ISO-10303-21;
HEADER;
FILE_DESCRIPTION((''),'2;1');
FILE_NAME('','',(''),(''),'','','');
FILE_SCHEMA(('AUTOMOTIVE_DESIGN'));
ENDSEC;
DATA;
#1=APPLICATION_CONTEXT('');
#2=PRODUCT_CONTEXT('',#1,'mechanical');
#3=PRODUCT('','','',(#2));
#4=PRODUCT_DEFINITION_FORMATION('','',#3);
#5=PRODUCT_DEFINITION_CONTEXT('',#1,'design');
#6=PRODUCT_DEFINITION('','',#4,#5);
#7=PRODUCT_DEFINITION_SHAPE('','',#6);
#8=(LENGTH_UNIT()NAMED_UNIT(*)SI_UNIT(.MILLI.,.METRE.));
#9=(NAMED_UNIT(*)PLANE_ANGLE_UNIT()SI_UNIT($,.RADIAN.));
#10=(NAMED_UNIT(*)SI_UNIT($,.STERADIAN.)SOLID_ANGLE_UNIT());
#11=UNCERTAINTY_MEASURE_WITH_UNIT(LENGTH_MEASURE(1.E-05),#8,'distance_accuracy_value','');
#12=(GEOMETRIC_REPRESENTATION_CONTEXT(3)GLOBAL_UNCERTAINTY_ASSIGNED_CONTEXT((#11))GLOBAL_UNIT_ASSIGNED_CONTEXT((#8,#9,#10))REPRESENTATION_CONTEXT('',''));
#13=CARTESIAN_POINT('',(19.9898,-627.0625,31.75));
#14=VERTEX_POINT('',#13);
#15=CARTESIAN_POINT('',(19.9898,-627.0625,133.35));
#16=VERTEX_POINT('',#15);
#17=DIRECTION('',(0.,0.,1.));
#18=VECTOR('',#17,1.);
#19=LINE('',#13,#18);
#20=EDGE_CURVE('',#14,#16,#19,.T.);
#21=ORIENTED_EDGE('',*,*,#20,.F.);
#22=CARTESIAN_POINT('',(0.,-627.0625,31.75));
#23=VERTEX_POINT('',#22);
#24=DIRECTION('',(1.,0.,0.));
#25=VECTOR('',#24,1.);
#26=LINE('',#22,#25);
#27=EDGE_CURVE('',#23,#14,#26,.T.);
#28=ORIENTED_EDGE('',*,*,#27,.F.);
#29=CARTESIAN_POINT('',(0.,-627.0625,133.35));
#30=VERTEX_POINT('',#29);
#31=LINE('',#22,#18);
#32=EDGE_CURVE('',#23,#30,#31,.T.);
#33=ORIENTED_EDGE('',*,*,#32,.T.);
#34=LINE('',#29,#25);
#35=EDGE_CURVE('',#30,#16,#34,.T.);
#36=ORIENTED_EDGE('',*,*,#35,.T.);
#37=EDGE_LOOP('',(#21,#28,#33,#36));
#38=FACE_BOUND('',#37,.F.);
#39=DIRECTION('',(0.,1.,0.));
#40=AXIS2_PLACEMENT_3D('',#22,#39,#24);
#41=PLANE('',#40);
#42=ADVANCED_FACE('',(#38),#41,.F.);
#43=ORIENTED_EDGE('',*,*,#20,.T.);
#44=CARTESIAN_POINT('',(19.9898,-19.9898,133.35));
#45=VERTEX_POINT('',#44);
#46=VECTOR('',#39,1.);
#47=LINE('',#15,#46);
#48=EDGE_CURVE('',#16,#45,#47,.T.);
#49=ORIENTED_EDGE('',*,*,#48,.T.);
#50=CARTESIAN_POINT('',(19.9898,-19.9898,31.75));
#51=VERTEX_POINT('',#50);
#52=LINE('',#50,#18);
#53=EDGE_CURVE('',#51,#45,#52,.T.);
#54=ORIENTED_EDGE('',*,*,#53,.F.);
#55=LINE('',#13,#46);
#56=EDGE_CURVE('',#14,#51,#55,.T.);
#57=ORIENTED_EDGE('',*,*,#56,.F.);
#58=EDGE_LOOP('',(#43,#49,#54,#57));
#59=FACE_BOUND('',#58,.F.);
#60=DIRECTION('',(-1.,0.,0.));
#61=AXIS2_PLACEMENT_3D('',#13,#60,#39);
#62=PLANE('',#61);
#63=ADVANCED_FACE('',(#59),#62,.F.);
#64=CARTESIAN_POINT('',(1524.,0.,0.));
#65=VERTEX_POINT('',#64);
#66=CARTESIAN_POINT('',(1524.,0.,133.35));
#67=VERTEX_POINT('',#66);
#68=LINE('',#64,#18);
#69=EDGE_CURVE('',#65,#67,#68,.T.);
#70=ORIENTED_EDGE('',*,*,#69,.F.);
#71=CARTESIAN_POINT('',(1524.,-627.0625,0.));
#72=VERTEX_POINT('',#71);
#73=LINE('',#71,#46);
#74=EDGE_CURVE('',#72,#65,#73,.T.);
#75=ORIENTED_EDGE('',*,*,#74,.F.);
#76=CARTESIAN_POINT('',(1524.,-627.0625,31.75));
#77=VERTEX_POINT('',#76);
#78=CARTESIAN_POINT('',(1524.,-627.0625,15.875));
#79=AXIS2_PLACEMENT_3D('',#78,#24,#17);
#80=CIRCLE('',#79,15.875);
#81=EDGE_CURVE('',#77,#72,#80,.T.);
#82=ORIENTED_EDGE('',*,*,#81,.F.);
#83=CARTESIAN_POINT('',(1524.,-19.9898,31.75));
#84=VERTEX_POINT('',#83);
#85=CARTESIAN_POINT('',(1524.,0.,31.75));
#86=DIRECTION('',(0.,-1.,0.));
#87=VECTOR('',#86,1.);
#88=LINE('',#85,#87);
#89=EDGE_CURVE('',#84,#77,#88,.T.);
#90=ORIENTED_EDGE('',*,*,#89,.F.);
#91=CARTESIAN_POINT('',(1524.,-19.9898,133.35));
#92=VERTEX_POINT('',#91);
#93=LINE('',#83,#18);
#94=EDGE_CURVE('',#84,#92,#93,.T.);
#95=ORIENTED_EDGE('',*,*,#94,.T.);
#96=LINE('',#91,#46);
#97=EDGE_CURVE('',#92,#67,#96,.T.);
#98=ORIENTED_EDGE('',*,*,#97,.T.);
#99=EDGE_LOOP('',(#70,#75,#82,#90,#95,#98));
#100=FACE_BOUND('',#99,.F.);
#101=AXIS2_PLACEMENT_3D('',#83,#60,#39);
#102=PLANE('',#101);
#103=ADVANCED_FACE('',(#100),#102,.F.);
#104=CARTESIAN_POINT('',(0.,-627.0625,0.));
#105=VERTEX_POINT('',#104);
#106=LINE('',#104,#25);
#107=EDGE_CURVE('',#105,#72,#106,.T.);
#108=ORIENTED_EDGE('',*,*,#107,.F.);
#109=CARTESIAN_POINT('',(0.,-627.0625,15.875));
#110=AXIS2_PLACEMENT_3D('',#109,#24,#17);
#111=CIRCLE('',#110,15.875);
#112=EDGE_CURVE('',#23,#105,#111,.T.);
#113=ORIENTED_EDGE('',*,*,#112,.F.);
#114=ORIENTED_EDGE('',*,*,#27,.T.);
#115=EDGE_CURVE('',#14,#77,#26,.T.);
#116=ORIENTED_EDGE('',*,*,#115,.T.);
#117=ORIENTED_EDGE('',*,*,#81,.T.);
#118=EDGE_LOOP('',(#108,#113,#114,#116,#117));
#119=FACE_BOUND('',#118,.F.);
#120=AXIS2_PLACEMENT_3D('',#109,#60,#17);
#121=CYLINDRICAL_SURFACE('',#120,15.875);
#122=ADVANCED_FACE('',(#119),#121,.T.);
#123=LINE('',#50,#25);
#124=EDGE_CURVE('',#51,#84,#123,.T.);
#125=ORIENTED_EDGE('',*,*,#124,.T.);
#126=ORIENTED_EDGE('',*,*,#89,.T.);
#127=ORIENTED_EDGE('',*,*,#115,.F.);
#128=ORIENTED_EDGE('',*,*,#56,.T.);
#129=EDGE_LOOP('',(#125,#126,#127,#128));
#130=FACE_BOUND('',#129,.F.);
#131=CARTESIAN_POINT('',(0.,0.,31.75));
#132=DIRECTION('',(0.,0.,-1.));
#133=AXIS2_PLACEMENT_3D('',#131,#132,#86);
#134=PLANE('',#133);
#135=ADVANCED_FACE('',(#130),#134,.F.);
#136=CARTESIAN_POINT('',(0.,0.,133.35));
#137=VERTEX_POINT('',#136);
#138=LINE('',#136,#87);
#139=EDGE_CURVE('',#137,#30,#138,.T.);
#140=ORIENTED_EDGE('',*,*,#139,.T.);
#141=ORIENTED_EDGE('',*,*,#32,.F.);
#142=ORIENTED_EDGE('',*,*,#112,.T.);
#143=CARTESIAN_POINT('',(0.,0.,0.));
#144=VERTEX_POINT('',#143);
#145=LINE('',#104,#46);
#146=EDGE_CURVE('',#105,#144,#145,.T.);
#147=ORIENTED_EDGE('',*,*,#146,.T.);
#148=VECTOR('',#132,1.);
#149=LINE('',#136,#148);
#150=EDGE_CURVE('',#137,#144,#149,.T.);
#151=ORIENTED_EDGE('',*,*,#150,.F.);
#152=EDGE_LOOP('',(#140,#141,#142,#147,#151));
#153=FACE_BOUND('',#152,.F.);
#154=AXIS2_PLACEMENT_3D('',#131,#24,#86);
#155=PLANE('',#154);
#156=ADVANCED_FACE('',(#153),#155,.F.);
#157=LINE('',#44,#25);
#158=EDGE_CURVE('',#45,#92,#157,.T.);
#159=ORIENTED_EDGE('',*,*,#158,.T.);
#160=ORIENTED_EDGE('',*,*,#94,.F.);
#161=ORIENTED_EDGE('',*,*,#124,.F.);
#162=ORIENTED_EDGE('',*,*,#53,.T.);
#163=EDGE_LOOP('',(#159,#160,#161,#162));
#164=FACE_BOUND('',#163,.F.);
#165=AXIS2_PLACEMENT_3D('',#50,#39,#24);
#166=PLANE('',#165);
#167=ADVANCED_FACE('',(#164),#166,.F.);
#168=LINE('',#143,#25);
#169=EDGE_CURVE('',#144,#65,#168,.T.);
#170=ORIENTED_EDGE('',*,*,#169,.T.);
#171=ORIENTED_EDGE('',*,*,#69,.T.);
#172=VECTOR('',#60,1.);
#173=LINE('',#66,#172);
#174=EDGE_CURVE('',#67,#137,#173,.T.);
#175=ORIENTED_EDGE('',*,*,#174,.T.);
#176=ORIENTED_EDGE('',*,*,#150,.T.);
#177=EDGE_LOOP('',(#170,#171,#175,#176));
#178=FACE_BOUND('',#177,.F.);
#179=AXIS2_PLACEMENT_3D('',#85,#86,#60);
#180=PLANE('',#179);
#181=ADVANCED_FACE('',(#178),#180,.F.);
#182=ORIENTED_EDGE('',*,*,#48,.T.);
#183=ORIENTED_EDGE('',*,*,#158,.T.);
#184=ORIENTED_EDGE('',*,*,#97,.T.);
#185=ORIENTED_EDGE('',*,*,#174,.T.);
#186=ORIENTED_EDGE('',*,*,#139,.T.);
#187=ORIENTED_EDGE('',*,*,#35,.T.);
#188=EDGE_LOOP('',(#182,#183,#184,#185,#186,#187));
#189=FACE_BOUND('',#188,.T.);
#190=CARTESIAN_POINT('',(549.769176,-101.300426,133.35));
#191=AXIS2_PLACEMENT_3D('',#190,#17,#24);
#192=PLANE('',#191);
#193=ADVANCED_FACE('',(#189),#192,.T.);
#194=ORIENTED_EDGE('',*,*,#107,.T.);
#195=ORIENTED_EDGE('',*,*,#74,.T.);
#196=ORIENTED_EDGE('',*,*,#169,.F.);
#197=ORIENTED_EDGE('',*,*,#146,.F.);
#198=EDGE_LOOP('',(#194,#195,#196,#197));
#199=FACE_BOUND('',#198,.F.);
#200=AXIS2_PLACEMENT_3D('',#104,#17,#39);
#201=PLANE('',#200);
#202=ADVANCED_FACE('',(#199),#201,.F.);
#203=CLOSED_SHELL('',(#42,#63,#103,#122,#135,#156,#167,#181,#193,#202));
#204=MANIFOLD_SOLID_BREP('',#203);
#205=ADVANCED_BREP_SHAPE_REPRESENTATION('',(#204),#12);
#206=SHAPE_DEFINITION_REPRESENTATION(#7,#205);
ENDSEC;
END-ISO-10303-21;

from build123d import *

# Parameters (mm, degrees)
F1_DEPTH = 1524
F3_DEPTH = 101.6


with BuildPart() as f1:
    # F0 (on Right) → F1 (new body)
    with BuildSketch(Plane.YZ):
        with BuildLine():
            Line((-627.0625, 0), (0, 0))
            Line((0, 0), (0, 31.75))
            Line((0, 31.75), (-627.0625, 31.75))
            ThreePointArc((-627.0625, 31.75), (-642.9375, 15.875), (-627.0625, 0))
        make_face()
    extrude(amount=F1_DEPTH)

    # F2 (on face) → F3 (join)
    with BuildSketch(Plane.XY.offset(31.75)):
        Polygon((19.9898, -627.0625), (19.9898, -19.9898), (1524, -19.9898), (1524, 0), (0, 0), (0, -627.0625), align=None)
    extrude(amount=F3_DEPTH)


solid = f1.part
